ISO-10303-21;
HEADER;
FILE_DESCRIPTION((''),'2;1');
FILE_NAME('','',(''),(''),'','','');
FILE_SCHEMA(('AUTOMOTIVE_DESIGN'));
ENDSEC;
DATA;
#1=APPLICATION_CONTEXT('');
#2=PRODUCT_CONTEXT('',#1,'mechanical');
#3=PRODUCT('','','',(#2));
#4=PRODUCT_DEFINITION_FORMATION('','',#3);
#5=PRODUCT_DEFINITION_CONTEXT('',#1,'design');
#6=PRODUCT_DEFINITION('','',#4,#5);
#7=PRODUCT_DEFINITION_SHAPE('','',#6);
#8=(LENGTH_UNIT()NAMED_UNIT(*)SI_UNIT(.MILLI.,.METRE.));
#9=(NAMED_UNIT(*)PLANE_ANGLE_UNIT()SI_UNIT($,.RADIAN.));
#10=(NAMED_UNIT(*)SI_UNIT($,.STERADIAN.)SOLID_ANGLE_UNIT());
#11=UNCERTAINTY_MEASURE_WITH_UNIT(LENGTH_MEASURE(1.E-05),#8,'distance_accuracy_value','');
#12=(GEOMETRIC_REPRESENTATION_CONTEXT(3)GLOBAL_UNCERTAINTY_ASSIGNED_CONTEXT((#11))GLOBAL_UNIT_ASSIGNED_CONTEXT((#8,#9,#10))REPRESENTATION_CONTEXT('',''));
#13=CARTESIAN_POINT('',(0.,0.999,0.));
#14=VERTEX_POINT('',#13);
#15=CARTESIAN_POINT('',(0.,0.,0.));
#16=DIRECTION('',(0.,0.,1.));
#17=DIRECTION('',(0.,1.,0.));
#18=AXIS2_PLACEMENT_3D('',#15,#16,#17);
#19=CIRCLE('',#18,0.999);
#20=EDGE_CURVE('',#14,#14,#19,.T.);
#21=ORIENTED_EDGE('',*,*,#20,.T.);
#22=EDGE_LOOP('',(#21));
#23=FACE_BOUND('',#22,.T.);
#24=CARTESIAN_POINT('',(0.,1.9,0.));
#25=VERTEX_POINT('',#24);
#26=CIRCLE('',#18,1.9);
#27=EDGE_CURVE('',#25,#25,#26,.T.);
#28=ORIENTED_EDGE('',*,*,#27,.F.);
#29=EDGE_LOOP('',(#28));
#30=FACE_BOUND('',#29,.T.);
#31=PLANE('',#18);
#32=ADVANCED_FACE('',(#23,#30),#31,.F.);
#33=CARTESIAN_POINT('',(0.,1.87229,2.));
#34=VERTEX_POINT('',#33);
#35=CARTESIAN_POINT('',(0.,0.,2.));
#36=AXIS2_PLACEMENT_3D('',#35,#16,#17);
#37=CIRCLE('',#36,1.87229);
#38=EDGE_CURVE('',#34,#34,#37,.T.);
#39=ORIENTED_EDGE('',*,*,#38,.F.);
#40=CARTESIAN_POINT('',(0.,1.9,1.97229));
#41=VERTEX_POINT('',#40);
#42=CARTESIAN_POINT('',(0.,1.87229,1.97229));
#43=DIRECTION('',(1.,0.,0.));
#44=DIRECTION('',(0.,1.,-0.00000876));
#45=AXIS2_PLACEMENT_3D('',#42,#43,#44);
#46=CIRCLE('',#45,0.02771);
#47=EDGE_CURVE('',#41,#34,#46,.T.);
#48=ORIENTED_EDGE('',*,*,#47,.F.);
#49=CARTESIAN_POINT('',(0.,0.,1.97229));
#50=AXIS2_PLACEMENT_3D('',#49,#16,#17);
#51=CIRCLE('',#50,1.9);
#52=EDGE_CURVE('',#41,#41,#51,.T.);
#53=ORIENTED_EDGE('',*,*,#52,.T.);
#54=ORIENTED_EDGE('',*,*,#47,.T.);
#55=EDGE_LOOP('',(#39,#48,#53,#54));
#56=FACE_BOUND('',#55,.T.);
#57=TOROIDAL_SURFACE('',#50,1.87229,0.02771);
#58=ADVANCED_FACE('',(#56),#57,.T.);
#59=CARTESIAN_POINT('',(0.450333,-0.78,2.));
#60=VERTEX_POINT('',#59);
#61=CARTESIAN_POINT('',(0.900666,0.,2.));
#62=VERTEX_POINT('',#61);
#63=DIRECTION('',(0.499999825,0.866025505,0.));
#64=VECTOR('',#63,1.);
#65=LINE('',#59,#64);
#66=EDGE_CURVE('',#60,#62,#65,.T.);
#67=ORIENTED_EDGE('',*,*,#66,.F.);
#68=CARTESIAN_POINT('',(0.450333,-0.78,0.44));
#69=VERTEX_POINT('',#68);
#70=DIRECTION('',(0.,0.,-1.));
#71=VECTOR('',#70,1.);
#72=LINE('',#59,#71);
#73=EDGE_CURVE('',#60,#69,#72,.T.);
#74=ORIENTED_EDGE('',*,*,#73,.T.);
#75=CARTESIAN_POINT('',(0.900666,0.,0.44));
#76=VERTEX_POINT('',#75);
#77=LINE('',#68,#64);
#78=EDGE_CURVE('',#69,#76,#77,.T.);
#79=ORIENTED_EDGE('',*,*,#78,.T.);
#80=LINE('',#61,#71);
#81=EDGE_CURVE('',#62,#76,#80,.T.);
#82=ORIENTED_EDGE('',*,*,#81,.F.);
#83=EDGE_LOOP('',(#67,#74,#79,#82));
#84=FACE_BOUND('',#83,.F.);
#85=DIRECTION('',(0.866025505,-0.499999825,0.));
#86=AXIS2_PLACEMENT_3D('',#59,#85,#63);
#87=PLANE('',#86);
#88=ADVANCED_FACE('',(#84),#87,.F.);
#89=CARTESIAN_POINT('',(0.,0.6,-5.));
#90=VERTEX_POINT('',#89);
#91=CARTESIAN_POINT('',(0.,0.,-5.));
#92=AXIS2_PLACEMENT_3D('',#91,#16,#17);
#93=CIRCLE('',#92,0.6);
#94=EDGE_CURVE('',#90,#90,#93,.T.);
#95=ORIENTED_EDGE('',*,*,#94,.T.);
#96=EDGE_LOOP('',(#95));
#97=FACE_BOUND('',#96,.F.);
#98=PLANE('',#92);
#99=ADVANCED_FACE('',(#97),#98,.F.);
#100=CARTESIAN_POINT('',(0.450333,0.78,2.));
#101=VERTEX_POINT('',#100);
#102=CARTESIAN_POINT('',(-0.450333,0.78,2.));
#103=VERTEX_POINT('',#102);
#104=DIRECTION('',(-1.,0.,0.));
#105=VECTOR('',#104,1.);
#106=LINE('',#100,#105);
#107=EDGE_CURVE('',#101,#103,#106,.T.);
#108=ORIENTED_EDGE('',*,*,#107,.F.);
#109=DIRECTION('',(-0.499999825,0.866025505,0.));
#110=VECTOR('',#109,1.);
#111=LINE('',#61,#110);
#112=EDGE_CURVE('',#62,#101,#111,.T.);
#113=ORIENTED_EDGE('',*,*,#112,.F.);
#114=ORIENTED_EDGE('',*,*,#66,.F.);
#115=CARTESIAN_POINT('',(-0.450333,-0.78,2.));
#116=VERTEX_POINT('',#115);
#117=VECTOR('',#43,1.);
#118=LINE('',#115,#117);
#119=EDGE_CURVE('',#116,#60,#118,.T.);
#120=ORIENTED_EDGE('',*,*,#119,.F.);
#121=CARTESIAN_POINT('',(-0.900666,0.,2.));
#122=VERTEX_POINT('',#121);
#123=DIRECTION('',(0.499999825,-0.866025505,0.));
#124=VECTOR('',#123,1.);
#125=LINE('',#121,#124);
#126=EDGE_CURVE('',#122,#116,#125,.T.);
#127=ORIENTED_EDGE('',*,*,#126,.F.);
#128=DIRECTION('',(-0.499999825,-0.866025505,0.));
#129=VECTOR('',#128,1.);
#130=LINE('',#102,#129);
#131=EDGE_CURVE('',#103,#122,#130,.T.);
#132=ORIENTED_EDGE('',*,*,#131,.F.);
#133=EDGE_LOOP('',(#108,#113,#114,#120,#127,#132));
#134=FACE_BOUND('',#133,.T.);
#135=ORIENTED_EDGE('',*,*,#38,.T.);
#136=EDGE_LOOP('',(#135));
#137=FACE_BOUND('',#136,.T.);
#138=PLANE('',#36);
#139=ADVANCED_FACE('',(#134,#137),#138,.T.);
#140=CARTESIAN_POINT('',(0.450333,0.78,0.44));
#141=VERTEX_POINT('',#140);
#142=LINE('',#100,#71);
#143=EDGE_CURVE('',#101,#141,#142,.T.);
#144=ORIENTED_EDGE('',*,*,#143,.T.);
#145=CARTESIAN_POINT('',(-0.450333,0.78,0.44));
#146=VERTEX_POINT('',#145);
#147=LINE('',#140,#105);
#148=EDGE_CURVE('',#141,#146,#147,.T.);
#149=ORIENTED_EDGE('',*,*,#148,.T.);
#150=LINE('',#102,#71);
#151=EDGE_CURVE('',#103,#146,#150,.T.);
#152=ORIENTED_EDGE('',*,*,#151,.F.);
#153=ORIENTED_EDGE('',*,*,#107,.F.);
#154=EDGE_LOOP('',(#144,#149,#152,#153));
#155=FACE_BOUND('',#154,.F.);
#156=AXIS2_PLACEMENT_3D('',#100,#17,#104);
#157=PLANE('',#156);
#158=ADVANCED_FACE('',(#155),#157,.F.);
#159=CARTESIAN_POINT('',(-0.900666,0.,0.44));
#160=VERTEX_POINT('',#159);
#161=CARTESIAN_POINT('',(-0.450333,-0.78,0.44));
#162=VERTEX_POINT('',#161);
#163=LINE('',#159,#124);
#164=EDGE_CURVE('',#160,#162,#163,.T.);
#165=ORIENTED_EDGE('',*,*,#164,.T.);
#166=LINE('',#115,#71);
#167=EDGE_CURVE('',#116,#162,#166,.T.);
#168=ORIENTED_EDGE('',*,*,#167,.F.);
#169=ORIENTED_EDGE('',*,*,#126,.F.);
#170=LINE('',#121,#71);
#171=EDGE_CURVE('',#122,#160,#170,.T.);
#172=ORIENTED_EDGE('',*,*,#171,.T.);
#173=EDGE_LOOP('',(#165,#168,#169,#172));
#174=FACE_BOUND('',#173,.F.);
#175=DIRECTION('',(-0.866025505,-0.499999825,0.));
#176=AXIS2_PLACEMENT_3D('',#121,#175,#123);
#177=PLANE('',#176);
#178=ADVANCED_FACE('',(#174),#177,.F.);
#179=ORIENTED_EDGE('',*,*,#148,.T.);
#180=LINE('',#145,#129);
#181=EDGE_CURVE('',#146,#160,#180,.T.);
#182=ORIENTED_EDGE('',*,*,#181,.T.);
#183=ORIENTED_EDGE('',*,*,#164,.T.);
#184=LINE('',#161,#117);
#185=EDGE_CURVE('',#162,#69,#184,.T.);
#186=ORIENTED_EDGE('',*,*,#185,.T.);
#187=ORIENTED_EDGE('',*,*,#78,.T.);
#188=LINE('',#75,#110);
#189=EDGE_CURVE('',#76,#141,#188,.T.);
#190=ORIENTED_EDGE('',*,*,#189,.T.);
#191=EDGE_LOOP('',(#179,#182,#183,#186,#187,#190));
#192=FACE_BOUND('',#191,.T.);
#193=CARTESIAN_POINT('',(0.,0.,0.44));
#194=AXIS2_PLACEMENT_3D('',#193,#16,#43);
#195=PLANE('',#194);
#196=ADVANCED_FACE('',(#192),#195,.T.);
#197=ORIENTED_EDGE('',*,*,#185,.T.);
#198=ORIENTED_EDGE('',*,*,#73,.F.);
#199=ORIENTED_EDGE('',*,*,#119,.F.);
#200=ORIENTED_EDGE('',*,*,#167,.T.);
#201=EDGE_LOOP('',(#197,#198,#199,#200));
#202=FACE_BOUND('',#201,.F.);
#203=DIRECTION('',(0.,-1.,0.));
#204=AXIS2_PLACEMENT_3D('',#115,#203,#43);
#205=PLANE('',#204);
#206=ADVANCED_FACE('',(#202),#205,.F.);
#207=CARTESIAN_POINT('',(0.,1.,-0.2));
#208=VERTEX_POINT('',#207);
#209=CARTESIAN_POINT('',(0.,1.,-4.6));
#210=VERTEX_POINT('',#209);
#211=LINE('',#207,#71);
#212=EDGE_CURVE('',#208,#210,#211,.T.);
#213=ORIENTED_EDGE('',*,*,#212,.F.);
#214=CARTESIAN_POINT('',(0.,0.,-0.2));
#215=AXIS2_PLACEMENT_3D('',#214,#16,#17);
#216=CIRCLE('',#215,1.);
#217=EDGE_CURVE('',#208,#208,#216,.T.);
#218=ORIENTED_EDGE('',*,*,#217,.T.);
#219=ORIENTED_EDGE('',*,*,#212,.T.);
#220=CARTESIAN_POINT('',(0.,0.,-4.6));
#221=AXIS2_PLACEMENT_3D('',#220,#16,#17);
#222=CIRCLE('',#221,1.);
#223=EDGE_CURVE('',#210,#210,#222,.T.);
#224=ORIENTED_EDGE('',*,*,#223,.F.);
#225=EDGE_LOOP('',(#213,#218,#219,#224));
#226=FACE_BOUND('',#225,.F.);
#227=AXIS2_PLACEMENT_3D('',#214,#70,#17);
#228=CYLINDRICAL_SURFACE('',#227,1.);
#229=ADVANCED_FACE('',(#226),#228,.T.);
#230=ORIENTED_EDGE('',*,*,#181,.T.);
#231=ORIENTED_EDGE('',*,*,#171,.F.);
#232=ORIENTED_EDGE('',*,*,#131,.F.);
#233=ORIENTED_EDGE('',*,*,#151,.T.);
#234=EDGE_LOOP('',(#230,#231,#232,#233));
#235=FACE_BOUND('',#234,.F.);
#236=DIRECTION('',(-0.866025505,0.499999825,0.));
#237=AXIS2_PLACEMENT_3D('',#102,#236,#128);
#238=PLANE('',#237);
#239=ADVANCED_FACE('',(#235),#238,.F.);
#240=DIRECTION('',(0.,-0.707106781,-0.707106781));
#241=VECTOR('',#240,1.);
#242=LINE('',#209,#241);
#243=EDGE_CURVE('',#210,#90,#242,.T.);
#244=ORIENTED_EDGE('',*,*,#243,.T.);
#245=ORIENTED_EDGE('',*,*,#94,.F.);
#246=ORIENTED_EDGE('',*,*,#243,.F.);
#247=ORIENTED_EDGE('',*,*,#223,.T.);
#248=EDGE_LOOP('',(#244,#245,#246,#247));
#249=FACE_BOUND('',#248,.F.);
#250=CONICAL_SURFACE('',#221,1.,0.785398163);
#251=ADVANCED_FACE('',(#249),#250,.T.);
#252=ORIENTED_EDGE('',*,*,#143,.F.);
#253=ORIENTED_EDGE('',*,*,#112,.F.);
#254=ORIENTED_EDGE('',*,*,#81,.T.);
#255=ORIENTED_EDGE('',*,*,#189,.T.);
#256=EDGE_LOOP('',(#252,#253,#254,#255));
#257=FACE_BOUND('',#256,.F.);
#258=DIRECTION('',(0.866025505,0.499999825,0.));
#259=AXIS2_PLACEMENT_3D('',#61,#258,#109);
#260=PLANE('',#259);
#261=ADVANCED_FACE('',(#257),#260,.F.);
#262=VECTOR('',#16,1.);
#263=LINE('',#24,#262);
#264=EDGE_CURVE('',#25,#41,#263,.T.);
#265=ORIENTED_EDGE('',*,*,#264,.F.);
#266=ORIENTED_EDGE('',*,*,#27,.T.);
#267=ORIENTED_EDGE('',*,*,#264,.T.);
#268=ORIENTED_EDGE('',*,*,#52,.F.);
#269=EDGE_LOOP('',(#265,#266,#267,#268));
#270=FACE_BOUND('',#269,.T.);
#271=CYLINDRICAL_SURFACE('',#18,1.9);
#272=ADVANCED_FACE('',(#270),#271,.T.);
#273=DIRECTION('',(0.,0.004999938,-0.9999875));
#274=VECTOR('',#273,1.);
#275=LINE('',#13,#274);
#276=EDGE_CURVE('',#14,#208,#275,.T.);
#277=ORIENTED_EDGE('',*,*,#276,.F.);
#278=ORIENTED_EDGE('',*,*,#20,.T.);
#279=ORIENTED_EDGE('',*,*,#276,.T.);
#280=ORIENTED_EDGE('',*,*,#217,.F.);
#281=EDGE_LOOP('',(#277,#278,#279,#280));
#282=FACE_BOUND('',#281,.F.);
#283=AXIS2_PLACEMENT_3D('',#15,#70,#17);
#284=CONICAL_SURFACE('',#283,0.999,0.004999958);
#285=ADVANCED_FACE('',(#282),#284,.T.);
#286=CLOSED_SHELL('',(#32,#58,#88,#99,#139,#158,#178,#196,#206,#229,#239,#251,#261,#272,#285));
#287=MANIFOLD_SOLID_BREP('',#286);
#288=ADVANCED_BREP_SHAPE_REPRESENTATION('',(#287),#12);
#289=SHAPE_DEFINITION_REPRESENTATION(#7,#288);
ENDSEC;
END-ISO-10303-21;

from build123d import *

# Parameters (mm, degrees)
POCKET_DEPTH = 1.56


with BuildPart() as part:
    # Sketch → Revolve (revolve)
    with BuildSketch(Plane.YZ):
        with BuildLine():
            Line((0.999, 0), (1.9, 0))
            Line((1.9, 0), (1.9, 1.97229))
            ThreePointArc((1.9, 1.97229), (1.891884, 1.991884), (1.87229, 2))
            Line((1.87229, 2), (0, 2))
            Line((0, -5), (0, 2))
            Line((0.6, -5), (0, -5))
            Line((1, -4.6), (0.6, -5))
            Line((1, -0.2), (1, -4.6))
            Line((0.999, 0), (1, -0.2))
        make_face()
    revolve(axis=Axis((0, 0, 0), (0, 0, 1)))

    # Sketch001 → Pocket (cut)
    with BuildSketch(Plane.XY.offset(2)):
        Polygon((0.900666, 0), (0.450333, 0.78), (-0.450333, 0.78), (-0.900666, 0), (-0.450333, -0.78), (0.450333, -0.78), align=None)
    extrude(amount=-POCKET_DEPTH, mode=Mode.SUBTRACT)


solid = part.part
